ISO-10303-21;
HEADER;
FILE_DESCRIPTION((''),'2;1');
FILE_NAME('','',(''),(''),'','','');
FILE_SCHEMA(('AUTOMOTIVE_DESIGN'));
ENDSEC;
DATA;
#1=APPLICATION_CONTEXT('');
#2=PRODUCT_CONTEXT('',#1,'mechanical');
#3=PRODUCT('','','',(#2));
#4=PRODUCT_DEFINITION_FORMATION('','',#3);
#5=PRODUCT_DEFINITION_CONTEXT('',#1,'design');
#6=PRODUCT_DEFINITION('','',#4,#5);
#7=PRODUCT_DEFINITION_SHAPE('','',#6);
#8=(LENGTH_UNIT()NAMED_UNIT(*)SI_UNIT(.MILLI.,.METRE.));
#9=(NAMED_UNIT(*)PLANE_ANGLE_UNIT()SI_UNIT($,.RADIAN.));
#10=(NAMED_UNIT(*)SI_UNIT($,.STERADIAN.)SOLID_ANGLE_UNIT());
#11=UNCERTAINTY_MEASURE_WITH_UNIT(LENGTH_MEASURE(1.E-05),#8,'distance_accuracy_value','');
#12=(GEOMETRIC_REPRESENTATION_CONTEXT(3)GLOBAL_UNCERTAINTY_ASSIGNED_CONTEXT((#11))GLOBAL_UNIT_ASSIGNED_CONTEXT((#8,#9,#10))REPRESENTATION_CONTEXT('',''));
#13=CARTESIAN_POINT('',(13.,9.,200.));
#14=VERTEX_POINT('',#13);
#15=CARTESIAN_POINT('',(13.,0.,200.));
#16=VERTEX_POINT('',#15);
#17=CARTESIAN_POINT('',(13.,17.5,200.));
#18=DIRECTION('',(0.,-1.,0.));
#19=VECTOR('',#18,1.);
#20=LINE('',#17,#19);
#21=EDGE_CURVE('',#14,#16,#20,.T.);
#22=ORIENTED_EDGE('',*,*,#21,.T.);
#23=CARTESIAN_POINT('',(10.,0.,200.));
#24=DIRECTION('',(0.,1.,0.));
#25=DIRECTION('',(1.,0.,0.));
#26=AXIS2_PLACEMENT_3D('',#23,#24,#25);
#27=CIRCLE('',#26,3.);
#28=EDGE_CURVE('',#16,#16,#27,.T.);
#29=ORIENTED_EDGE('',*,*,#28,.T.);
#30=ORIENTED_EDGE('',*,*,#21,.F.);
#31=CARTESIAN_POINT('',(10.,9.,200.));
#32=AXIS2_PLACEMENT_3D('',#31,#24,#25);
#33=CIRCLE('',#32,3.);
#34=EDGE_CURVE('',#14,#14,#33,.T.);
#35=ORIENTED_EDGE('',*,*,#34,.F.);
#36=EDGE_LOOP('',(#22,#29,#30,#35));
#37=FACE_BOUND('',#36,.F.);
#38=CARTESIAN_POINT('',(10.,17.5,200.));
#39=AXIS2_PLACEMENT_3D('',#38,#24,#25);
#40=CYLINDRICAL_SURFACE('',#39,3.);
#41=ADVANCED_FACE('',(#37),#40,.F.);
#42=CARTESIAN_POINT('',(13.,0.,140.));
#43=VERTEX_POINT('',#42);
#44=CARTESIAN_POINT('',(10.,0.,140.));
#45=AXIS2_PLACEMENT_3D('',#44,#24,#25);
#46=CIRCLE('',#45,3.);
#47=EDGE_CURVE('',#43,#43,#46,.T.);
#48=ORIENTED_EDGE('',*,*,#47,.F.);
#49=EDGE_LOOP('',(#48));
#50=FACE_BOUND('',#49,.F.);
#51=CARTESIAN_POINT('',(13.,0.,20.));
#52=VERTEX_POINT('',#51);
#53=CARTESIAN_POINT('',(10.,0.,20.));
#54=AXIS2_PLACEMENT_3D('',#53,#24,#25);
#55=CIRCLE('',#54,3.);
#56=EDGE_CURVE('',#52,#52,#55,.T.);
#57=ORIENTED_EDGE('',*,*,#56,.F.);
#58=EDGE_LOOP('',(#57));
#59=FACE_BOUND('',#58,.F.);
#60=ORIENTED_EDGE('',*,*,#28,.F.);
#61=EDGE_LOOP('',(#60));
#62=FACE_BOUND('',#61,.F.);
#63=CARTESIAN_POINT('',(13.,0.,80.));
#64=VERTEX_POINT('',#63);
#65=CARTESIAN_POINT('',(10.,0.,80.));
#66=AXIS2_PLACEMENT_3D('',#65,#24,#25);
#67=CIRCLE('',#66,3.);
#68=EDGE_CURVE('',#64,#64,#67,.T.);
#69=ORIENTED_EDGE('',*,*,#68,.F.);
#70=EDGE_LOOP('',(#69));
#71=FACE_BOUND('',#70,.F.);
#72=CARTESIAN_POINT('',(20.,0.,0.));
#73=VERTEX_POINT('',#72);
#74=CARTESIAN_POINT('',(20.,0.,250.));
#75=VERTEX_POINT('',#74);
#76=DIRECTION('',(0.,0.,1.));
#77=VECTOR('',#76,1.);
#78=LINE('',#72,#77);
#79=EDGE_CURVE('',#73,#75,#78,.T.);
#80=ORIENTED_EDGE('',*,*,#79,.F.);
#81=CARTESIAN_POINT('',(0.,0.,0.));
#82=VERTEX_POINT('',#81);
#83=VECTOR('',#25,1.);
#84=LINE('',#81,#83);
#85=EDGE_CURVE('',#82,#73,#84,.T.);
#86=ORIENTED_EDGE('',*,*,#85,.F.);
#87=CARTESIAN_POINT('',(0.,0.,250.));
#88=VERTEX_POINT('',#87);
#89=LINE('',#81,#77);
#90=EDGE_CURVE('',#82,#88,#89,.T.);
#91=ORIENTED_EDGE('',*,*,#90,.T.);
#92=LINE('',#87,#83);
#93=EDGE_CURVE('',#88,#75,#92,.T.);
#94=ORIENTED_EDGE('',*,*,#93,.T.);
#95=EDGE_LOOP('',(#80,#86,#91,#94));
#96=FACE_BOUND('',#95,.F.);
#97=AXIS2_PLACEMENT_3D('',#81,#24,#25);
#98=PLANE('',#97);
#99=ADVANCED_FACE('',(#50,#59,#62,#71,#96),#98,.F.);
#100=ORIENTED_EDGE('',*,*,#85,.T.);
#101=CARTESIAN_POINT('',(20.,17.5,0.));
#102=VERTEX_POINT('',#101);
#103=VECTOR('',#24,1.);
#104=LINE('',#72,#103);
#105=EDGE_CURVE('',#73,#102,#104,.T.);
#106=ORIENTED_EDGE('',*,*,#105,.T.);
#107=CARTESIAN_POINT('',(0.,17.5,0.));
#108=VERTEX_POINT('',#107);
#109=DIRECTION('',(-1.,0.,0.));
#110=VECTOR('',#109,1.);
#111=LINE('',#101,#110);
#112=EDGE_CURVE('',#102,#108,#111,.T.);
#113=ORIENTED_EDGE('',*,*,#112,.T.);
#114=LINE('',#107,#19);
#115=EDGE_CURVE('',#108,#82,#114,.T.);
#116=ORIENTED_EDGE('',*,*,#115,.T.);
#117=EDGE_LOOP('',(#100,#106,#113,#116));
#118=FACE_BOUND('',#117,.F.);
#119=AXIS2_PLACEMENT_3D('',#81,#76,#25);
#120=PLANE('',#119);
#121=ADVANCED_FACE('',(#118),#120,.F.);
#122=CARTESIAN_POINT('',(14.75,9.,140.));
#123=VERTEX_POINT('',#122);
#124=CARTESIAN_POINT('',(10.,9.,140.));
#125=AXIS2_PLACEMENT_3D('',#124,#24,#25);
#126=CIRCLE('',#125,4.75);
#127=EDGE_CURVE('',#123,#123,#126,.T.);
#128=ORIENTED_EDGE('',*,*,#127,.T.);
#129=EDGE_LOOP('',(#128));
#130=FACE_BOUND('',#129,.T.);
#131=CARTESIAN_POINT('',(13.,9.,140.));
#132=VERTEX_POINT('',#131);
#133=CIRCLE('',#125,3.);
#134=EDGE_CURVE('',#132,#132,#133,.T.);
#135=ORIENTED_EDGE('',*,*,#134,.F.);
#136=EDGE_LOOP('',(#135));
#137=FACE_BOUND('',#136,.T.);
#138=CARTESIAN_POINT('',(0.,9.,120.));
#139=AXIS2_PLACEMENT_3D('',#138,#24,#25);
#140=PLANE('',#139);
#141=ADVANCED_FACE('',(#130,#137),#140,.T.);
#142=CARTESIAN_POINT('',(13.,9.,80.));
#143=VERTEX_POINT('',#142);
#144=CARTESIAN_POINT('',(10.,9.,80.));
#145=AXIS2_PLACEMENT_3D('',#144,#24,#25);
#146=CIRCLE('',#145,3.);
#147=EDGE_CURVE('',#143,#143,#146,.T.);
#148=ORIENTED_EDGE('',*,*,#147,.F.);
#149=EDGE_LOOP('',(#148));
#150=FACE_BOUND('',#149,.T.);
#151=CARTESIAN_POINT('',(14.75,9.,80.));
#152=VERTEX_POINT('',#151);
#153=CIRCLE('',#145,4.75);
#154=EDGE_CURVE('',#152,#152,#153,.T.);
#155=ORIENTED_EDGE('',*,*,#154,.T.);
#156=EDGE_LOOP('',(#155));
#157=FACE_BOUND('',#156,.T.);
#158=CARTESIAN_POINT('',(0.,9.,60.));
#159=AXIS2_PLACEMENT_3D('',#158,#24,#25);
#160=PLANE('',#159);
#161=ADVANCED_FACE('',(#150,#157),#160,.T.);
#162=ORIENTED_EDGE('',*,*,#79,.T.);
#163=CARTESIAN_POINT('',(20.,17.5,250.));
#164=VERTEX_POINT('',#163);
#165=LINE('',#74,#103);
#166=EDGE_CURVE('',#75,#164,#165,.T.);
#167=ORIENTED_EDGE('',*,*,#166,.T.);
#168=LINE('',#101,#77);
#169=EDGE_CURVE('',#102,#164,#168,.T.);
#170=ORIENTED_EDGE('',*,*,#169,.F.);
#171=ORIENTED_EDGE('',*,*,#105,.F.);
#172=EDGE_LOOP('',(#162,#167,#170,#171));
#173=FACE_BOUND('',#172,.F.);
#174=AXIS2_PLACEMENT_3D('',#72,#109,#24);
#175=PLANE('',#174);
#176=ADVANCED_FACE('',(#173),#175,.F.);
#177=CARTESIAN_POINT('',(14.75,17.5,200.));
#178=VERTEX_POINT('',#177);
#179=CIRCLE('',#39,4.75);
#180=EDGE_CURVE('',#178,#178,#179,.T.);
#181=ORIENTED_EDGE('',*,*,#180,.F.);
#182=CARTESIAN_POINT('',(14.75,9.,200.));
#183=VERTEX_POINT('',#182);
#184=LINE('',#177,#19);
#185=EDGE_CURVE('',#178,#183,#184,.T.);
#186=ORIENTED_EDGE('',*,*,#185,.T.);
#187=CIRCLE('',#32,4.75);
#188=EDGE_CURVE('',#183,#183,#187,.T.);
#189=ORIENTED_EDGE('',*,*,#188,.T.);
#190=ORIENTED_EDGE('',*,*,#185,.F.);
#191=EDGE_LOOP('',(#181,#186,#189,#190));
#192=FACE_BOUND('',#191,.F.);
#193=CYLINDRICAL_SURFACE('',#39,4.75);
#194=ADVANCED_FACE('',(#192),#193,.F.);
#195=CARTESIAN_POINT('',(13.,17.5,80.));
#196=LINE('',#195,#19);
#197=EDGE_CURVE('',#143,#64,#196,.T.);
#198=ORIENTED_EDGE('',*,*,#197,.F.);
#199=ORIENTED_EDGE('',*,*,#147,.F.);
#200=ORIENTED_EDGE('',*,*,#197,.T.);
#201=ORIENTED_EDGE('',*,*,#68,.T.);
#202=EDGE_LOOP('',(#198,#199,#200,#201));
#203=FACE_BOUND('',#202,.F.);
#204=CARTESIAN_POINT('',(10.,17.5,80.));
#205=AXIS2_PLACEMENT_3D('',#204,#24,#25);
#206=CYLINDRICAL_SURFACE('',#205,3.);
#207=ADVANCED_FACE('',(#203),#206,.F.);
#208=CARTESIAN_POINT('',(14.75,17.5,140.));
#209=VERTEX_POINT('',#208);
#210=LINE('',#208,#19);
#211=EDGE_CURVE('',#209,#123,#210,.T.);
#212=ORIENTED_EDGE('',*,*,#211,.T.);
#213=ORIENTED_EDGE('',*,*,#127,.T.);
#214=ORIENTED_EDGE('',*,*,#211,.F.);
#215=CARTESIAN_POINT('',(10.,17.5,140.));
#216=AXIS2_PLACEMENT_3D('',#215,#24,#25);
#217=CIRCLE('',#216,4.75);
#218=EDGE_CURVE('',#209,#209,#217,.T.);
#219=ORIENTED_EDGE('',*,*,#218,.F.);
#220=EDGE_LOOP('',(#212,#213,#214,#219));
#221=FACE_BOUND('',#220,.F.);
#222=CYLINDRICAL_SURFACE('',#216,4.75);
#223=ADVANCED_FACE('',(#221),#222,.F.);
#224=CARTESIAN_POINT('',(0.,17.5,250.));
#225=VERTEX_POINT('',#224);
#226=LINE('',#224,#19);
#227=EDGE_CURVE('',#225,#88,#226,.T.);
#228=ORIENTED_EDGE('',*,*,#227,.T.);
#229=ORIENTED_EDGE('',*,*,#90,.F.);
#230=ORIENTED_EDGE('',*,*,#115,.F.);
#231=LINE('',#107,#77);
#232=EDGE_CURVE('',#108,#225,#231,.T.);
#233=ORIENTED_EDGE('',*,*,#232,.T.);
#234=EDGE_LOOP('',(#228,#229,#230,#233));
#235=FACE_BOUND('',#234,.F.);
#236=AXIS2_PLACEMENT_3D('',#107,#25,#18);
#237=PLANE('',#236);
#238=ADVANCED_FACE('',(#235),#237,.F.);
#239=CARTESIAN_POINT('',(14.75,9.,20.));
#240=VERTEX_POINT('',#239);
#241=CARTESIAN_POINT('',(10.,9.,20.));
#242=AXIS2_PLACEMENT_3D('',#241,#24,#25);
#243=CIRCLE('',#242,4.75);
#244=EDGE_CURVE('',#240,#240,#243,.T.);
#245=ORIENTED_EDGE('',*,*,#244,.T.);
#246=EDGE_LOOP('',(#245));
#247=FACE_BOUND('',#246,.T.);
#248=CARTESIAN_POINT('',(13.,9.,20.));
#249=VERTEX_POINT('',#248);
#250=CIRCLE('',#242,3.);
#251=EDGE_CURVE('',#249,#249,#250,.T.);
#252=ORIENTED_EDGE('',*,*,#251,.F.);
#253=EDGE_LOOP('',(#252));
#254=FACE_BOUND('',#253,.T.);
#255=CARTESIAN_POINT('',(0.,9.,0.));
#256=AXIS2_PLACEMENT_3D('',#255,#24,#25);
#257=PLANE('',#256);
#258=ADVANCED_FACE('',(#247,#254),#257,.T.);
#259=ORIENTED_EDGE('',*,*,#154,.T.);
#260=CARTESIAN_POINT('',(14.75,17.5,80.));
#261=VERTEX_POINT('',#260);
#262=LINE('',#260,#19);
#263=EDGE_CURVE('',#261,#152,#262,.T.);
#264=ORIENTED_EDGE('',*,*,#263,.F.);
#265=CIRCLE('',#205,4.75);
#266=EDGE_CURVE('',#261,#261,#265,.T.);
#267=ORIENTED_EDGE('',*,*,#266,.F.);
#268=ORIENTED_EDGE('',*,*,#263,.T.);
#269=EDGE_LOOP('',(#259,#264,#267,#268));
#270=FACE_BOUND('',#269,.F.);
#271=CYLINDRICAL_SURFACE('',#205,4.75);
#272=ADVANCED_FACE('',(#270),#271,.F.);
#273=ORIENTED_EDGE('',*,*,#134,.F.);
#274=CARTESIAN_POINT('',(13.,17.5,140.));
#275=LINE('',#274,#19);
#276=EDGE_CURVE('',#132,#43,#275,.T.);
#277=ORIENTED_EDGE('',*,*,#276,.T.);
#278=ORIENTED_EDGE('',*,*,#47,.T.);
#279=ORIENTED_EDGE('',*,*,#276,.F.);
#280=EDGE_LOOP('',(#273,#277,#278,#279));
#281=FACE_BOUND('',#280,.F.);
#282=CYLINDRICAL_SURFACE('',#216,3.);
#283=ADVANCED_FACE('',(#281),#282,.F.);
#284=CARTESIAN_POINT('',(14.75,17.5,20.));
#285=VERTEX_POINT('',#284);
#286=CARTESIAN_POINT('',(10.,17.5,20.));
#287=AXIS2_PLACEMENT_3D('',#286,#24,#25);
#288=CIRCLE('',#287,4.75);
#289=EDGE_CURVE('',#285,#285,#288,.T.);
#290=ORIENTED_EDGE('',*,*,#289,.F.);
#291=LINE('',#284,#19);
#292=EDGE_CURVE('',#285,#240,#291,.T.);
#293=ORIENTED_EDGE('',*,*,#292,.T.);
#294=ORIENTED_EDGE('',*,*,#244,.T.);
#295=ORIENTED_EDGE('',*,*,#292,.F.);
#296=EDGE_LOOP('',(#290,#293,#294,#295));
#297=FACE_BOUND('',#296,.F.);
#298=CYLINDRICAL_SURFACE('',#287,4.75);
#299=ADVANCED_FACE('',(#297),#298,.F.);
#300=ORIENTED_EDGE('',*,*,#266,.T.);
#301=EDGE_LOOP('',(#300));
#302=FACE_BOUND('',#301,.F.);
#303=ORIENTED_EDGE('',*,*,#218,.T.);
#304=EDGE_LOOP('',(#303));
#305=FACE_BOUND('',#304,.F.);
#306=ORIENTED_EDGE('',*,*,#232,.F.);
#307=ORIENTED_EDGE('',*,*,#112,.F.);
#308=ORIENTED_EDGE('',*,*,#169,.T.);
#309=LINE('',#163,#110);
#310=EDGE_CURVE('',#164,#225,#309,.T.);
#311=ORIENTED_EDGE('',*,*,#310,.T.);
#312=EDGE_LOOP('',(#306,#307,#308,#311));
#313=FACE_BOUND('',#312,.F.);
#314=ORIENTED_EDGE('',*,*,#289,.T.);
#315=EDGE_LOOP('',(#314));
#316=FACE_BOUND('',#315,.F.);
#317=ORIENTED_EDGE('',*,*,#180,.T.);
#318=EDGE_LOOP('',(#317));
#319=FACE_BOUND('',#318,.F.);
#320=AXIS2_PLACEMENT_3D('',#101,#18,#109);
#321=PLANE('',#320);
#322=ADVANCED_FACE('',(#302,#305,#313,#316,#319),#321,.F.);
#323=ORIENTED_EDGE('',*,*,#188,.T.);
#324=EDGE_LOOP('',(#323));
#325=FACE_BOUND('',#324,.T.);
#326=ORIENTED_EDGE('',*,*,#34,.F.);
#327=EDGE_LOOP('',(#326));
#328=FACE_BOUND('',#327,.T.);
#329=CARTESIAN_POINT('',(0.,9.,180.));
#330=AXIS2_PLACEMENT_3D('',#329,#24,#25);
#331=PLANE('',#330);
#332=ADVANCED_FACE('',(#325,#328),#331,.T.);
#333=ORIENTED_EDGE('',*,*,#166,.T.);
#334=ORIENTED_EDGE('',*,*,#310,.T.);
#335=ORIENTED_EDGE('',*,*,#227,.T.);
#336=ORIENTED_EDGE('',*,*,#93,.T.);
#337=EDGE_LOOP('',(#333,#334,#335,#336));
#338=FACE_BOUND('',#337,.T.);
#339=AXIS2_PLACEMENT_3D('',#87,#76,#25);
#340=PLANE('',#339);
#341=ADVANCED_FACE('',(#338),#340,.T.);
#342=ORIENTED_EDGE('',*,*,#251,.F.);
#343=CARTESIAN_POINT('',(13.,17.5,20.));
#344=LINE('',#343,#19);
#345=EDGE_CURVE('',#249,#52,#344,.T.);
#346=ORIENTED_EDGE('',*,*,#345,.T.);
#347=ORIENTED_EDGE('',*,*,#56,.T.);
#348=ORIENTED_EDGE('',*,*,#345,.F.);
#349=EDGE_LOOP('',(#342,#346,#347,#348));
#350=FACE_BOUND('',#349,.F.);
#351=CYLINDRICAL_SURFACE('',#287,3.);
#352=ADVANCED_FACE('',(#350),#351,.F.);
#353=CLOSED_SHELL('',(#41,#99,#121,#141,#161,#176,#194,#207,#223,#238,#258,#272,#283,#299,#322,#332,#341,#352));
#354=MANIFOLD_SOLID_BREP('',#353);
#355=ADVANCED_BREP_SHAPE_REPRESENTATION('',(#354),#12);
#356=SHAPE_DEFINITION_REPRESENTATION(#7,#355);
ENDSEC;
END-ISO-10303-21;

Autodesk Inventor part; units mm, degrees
ref_plane "YZ Plane" through (0, 0, 0) normal (1, 0, 0) x (0, 1, 0)
ref_plane "XZ Plane" through (0, 0, 0) normal (0, 1, 0) x (-1, 0, 0)
ref_plane "XY Plane" through (0, 0, 0) normal (0, 0, 1) x (1, 0, 0)
sketch "Sketch1" plane through (0, 0, 0) normal (0, 0, 1) x (1, 0, 0)
  line L0 (0, 0) -> (20, 0)
  line L1 (20, 0) -> (20, 17.5)
  line L2 (20, 17.5) -> (0, 17.5)
  line L3 (0, 17.5) -> (0, 0)
  dimension "d0" = 20
  dimension "d1" = 17.5
extrude "Extrusion1" add sketch "Sketch1" along normal blind 250
sketch "Sketch2" plane through (0, 17.5, 0) normal (0, 1, 0) x (1, 0, 0)
  circle A0 centre (10, -20) radius 3
  line L0 (20, 0) -> (0, 0) projected
  point P0 (10, 0)
  dimension "d4" = 6
  dimension "d5" = 20
extrude "Extrusion2" cut sketch "Sketch2" against normal up to surface (17.5 mm away)
sketch "Sketch3" plane through (0, 17.5, 0) normal (0, 1, 0) x (1, 0, 0)
  circle A0 centre (10, -20) radius 4.75
  circle A1 centre (10, -20) radius 3 construction
  point P0 (0, 0)
  dimension "d8" = 9.5
extrude "Extrusion3" cut sketch "Sketch3" against normal blind 8.5
pattern_linear "Rectangular Pattern1" count 18 spacing 60 along (0, 0, 1) of "Extrusion2", "Extrusion3"
properties part number "HGW20CC_Rack"
